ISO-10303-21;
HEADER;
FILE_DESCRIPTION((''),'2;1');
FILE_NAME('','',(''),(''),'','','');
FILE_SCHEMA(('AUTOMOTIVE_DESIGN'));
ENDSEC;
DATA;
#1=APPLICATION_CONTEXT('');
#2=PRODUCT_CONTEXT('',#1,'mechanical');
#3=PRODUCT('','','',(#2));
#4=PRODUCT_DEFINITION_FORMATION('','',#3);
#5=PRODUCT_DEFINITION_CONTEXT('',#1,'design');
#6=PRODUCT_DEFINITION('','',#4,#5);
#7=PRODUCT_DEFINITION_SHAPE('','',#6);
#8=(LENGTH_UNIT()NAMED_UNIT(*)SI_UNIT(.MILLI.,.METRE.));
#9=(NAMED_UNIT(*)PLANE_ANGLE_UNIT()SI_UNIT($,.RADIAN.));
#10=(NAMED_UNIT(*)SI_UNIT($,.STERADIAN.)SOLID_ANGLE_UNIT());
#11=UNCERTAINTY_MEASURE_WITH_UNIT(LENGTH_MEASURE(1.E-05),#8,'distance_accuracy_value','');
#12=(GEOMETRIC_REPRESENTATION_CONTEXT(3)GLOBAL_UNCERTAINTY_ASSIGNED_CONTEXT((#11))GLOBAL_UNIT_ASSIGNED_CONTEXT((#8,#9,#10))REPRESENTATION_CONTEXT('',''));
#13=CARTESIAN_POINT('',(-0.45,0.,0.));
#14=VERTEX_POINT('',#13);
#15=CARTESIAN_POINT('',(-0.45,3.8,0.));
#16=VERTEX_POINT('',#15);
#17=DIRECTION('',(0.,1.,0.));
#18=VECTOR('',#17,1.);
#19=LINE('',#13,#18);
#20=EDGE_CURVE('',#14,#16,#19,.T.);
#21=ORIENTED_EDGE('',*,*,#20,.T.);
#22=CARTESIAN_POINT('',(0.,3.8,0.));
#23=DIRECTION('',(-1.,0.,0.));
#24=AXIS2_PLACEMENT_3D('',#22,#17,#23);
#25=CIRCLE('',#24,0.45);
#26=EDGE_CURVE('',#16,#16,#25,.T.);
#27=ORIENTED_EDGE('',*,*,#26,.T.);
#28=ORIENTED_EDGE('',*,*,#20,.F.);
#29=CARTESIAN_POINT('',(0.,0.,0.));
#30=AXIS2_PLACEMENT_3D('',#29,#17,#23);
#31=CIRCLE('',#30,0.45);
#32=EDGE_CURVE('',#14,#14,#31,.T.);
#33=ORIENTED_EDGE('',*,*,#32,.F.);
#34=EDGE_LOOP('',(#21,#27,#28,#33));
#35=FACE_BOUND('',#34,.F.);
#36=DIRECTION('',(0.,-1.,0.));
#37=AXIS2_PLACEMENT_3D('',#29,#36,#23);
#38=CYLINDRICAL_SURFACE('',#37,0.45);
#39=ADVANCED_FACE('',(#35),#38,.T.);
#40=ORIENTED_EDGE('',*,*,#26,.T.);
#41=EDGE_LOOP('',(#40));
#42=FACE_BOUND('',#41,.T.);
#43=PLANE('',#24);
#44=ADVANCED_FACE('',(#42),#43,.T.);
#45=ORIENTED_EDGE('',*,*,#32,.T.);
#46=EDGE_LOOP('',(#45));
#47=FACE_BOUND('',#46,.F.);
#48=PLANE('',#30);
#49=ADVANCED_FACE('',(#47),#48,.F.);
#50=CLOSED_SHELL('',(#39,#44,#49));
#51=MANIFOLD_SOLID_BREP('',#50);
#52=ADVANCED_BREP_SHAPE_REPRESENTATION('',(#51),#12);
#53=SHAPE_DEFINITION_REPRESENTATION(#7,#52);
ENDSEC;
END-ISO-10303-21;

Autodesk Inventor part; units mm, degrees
ref_plane "YZ Plane" through (0, 0, 0) normal (1, 0, 0) x (0, 1, 0)
ref_plane "XZ Plane" through (0, 0, 0) normal (0, 1, 0) x (-1, 0, 0)
ref_plane "XY Plane" through (0, 0, 0) normal (0, 0, 1) x (1, 0, 0)
sketch "Esboço1" plane through (0, 0, 0) normal (0, 1, 0) x (-1, 0, 0)
  circle A0 centre (0, 0) radius 0.45
  dimension "d0" = 0.9
extrude "Extrusão1" add sketch "Esboço1" along normal blind 3.8
properties part number "Eixo Menor - Engrenagem"
